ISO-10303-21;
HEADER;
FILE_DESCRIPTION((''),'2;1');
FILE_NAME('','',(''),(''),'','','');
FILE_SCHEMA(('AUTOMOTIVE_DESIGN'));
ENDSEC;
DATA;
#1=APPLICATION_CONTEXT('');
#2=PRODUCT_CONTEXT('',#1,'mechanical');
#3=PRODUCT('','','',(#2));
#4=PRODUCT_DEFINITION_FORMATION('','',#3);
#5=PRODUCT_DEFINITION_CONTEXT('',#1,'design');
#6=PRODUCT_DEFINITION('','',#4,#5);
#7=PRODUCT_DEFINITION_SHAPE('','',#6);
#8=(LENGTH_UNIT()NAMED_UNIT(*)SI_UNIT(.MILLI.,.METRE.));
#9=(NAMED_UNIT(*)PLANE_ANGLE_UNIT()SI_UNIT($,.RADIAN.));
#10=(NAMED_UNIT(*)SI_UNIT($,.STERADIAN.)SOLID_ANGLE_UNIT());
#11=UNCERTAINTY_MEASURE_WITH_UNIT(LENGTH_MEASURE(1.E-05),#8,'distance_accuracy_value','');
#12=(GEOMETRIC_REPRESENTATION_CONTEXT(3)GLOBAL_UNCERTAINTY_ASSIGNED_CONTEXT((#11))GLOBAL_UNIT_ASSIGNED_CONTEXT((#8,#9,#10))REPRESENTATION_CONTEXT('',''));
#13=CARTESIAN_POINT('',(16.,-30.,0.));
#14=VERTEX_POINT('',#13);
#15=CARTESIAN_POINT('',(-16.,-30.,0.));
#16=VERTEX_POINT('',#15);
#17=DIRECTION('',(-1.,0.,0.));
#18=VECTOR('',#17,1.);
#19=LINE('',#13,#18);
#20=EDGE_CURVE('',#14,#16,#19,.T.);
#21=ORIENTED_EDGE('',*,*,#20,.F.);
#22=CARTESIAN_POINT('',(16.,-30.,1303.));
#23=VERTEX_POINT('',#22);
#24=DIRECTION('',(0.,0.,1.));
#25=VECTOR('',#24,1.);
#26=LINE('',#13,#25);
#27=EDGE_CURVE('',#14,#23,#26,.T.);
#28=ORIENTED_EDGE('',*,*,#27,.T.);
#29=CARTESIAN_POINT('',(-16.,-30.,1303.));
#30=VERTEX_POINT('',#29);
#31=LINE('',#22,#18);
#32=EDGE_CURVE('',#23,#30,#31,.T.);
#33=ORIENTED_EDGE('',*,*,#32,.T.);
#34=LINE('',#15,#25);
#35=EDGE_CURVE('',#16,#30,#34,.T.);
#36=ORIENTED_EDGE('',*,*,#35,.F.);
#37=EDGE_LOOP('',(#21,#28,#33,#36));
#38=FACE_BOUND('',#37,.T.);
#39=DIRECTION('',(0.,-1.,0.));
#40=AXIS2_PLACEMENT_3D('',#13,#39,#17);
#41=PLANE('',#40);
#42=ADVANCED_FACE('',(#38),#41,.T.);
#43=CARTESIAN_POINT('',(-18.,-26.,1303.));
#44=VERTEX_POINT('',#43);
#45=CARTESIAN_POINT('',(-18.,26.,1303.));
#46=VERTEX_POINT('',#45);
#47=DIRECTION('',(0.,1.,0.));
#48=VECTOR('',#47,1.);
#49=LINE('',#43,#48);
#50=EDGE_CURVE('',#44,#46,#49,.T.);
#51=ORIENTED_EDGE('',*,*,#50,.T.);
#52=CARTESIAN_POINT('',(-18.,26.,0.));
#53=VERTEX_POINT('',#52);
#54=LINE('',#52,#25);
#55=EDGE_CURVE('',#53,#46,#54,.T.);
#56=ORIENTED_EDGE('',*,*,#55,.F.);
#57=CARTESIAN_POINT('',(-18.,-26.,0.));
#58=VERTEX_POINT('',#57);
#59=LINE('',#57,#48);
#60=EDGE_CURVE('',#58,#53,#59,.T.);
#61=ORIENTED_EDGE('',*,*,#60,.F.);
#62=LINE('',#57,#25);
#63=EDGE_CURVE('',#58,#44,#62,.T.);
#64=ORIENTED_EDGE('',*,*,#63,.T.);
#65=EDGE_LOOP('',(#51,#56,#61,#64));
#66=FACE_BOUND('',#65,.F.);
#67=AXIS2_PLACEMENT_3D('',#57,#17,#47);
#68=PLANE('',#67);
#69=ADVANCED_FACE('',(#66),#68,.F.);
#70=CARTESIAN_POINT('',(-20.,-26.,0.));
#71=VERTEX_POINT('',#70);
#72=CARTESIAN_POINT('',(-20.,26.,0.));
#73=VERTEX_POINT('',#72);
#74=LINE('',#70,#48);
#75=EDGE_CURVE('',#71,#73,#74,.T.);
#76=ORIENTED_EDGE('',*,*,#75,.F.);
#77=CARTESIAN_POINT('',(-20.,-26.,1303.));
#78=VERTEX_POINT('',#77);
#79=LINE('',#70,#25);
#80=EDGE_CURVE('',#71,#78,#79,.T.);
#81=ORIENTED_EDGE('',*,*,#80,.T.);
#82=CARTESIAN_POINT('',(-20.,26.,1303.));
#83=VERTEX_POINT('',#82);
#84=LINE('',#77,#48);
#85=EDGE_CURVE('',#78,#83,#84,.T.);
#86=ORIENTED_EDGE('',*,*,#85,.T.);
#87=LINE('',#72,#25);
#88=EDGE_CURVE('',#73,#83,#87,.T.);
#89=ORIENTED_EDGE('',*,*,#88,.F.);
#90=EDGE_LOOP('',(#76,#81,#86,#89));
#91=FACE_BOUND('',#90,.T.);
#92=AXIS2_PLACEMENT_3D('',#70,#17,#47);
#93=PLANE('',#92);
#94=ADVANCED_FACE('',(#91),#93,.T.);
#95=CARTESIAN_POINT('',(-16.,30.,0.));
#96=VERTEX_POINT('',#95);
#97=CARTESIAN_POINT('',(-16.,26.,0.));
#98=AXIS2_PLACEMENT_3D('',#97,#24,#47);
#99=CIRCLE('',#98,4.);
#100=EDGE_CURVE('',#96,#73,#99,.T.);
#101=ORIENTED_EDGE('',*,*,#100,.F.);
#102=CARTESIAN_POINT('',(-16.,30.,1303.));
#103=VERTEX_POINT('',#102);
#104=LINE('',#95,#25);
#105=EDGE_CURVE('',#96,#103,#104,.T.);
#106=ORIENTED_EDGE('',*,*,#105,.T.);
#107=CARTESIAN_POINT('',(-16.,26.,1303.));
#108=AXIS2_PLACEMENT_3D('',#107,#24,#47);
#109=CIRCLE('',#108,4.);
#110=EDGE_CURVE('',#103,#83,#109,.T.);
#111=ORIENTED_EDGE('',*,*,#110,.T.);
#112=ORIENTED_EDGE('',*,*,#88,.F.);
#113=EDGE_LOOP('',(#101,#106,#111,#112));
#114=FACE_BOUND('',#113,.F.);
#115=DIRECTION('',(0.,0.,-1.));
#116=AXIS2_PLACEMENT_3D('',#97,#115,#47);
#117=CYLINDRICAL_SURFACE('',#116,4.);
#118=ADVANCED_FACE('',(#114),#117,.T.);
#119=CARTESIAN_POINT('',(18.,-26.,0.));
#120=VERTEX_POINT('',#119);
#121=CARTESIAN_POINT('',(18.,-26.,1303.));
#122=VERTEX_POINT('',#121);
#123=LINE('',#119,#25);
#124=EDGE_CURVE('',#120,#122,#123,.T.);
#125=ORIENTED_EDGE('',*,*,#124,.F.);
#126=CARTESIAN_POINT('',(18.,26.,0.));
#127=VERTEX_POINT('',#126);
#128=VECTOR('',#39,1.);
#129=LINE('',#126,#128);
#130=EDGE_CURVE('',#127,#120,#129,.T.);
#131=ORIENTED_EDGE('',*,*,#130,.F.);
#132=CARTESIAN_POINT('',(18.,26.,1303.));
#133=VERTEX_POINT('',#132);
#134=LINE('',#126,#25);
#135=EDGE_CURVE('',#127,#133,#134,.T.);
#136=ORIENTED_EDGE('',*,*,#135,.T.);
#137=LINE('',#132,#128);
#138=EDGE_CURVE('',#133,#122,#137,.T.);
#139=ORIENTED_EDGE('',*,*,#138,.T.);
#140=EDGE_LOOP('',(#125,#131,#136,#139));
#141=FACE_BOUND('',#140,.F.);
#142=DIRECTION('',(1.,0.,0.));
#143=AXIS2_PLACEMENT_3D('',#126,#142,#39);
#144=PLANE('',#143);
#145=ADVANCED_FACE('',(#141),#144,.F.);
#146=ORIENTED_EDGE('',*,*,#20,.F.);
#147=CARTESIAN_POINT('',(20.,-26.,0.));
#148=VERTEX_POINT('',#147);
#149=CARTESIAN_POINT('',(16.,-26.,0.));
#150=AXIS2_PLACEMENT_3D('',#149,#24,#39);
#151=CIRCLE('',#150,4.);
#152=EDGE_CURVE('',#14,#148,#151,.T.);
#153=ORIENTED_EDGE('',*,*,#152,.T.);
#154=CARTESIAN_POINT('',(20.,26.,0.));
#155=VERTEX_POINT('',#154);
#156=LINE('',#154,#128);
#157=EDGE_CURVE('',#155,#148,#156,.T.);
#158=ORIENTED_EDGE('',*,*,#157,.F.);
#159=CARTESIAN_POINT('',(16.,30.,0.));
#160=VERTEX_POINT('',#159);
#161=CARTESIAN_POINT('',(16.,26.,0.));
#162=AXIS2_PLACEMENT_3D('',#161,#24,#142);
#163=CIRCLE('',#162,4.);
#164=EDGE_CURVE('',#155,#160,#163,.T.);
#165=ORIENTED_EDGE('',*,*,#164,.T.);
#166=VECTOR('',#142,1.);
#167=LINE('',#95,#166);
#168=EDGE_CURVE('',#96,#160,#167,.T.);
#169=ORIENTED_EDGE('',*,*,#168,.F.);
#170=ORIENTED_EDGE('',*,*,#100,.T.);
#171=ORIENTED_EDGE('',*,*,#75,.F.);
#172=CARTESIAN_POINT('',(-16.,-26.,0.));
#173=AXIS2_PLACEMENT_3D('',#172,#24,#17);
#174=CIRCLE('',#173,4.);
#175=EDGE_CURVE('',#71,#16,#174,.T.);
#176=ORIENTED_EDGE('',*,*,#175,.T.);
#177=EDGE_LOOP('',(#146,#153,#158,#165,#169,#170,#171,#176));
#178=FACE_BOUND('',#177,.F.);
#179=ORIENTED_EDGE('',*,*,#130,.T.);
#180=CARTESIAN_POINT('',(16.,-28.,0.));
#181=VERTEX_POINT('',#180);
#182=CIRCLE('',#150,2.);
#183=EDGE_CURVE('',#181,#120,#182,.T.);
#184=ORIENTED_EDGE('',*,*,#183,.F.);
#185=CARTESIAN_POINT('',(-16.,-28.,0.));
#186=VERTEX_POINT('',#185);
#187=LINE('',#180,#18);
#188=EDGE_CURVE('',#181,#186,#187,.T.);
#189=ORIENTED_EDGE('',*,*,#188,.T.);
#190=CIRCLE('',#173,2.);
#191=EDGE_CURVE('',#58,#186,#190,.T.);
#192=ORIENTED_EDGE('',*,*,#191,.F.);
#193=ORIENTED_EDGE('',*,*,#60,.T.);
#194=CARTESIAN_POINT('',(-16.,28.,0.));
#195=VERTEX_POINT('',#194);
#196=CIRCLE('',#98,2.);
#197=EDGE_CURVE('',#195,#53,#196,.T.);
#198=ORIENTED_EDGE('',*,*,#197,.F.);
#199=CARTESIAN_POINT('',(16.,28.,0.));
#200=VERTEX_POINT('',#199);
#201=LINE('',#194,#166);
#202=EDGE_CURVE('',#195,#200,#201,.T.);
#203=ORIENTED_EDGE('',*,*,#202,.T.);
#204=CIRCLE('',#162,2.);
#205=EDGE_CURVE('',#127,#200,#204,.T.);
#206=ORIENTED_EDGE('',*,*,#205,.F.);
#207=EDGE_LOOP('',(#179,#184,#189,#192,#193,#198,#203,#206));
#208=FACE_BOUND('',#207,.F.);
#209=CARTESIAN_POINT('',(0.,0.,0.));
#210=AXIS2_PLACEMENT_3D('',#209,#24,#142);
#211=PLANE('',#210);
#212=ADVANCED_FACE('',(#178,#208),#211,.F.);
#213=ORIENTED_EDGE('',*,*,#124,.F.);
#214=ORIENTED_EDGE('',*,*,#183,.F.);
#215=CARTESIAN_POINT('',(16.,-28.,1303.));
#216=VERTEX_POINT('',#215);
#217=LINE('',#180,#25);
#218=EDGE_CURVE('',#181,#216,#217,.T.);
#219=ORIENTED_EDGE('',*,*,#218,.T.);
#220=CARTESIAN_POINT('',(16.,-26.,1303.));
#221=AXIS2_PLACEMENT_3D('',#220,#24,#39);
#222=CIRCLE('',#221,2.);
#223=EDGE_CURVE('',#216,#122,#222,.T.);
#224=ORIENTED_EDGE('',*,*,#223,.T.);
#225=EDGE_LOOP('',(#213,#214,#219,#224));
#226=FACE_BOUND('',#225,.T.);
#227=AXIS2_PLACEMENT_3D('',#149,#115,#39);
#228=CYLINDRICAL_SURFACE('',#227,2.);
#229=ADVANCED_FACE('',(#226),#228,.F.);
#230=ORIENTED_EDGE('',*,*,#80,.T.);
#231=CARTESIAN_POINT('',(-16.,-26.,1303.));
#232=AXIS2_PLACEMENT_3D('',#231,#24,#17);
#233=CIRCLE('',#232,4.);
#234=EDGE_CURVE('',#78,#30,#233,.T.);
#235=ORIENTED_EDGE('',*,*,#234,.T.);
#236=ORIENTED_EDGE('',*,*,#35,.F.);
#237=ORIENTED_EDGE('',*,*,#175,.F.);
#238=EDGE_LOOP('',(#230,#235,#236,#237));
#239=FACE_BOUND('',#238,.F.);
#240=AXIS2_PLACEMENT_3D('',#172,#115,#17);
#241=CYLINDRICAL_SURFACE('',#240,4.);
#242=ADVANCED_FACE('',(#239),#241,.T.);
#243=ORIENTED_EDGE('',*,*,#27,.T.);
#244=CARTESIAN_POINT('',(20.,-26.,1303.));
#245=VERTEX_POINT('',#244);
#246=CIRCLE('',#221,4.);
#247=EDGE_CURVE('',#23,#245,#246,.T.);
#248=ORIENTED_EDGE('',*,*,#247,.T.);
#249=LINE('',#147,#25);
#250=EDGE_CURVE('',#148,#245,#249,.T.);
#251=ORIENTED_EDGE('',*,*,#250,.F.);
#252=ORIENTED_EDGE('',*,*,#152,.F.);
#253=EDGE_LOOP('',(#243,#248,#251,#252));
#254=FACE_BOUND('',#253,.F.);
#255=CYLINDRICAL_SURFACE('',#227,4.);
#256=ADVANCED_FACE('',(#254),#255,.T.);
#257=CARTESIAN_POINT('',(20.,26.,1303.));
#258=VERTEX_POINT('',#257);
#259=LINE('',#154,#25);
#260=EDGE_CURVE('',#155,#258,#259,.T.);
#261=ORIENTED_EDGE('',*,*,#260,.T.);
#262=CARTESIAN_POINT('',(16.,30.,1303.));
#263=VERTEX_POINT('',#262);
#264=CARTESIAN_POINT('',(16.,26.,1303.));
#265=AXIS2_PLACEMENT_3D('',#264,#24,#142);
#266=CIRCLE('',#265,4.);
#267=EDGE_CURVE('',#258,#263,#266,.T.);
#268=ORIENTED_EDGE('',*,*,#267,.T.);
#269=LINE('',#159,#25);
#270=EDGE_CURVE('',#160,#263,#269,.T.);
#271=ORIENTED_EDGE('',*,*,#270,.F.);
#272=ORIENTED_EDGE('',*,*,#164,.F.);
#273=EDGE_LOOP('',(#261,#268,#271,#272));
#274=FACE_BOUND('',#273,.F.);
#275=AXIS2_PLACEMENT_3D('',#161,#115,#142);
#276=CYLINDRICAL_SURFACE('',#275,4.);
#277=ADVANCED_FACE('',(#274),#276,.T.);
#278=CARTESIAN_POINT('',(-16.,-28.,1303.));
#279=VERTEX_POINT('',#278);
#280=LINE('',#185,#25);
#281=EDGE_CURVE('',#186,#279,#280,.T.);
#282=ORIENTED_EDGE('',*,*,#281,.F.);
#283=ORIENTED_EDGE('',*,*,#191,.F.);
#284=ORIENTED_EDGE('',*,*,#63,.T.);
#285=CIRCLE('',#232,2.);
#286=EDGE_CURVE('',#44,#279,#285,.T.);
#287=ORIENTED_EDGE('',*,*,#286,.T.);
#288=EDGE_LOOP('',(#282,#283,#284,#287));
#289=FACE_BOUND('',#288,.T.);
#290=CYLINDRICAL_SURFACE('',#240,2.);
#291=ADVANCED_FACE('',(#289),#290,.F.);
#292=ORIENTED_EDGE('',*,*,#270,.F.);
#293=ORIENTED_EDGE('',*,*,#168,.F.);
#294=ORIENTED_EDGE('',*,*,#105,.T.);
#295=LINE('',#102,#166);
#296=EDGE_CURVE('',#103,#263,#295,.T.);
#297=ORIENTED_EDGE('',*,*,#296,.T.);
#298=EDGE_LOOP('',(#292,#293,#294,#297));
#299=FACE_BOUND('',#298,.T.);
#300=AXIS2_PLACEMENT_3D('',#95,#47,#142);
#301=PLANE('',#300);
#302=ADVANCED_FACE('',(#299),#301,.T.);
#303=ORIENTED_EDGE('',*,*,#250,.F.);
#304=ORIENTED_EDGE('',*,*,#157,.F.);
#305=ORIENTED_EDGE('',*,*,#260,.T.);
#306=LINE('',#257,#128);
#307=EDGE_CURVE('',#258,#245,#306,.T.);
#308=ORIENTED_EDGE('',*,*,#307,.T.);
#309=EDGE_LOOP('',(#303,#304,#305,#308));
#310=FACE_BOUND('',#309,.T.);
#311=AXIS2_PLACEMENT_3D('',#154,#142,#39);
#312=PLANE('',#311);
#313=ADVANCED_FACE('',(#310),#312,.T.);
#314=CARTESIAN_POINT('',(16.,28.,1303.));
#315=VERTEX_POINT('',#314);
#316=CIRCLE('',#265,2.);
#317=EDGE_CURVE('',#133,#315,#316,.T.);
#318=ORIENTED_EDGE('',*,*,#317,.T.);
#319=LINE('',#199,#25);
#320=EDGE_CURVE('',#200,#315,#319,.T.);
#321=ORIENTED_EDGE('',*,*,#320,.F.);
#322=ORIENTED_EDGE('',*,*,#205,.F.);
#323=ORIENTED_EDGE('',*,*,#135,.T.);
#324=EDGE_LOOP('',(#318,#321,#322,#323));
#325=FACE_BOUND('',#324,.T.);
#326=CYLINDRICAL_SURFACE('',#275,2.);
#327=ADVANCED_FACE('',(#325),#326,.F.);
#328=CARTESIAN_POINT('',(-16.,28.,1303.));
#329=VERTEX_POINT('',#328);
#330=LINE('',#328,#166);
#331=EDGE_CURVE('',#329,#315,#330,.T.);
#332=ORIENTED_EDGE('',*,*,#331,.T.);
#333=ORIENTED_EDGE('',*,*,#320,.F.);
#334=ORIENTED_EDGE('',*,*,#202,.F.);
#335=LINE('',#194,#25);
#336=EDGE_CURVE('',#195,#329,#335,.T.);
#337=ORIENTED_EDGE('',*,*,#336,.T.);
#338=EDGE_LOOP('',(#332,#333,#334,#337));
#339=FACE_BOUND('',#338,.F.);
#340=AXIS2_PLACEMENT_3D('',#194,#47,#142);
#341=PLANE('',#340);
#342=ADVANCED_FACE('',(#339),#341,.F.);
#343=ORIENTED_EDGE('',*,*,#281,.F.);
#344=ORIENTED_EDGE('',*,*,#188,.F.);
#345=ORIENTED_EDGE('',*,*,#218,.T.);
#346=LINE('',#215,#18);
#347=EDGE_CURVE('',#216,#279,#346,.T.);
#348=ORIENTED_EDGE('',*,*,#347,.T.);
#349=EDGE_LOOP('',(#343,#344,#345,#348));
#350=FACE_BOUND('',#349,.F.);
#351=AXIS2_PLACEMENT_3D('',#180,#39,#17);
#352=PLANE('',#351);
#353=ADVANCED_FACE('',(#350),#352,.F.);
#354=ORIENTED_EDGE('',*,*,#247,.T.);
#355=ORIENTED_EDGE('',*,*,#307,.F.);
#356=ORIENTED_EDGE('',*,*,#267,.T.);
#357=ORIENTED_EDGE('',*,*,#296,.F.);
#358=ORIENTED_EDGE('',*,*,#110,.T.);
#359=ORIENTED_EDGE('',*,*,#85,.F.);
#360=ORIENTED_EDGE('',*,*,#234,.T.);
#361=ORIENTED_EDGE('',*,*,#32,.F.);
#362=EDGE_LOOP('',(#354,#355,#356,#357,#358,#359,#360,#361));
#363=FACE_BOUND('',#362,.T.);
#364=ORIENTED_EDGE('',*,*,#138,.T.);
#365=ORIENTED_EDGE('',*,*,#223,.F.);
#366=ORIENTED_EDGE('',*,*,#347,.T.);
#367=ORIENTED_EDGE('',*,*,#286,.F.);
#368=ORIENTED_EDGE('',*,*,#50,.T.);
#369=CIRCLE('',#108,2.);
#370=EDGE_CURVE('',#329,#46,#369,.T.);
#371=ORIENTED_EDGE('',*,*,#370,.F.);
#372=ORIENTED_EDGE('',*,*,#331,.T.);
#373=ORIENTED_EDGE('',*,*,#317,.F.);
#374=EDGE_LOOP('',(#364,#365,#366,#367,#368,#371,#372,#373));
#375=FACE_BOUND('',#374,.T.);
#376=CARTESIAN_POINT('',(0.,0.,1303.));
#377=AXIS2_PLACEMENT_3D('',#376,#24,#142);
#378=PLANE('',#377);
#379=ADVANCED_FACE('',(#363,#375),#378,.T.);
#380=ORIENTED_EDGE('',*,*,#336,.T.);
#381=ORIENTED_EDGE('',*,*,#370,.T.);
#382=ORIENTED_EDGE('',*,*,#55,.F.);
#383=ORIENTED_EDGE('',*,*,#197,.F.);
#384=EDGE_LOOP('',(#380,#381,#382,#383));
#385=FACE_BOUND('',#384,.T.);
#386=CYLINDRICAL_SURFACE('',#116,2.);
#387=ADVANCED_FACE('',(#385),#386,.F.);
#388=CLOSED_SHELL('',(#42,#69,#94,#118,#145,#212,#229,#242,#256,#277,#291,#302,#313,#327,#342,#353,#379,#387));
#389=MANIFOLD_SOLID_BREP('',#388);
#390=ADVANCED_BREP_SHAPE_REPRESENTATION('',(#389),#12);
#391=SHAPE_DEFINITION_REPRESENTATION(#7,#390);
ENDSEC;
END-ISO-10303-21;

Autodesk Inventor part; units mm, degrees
ref_plane "YZ Plane" through (0, 0, 0) normal (1, 0, 0) x (0, 1, 0)
ref_plane "Start Plane" through (0, 0, 0) normal (0, 0, 1) x (1, 0, 0)
ref_plane "End Plane" through (0, 0, 1303) normal (0, 0, 1) x (1, 0, 0)
sketch "Sketch" plane through (0, 0, 0) normal (0, 0, 1) x (1, 0, 0)
  line L0 (-20, -26) -> (-20, 26)
  line L1 (-16, 30) -> (16, 30)
  line L2 (20, 26) -> (20, -26)
  line L3 (16, -30) -> (-16, -30)
  arc A0 (-20, -26) -> (-16, -30) centre (-16, -26) ccw
  arc A1 (20, 26) -> (16, 30) centre (16, 26) ccw
  arc A2 (-16, 30) -> (-20, 26) centre (-16, 26) ccw
  arc A3 (16, -30) -> (20, -26) centre (16, -26) ccw
  arc A4 (-16, 28) -> (-18, 26) centre (-16, 26) ccw
  line L4 (-16, 28) -> (16, 28)
  arc A5 (18, 26) -> (16, 28) centre (16, 26) ccw
  line L5 (18, 26) -> (18, -26)
  arc A6 (16, -28) -> (18, -26) centre (16, -26) ccw
  line L6 (16, -28) -> (-16, -28)
  arc A7 (-18, -26) -> (-16, -28) centre (-16, -26) ccw
  line L7 (-18, -26) -> (-18, 26)
  line L8 (0, 43.1598) -> (0, -43.1598) construction
  line L9 (-29.1598, 0) -> (29.1598, 0) construction
  dimension "d7" = 4
  dimension "d9" = 40
  dimension "d11" = 60
  dimension "d12" = 2
  dimension "d15" = 20
  dimension "d16" = 30
extrude "Body" add sketch "Sketch" along normal up to surface (1303 mm away) from surface at 0
sketch "Sketch3" plane through (0, 0, 0) normal (0, 0, 1) x (1, 0, 0)
  line L0 (0, 0) -> (10, 0)
ref_plane "Work Plane3" through (0, 0, 0) normal (0, -1, 0) x (1, 0, 0)
sketch "Sketch4" plane through (0, 0, 0) normal (0, -1, 0) x (1, 0, 0)
  line L0 (-2, 0) -> (12, 0) projected
  line L1 (-2, 1303) -> (12, 1303) projected
  dimension "d18" = 1303
equation "\"d7\" = G_IR"
equation "\"d9\" = G_W"
equation "\"d11\" = G_H"
equation "\"d12\" = G_T"
equation "\"d15\" = 0.5 * d9"
equation "\"d16\" = 0.5 * d11"
equation "\"d3\" = G_L"
equation "\"G_W\" = 40"
equation "\"G_H\" = 60"
equation "\"G_T\" = 2"
equation "\"G_IR\" = 4"
equation "\"G_L\" = d18"
equation "\"G_OFFSET_START\" = 0"
equation "\"G_OFFSET_END\" = 0"
equation "\"d14\" = G_OFFSET_END + B_L"
equation "\"B_L\" = 1303"
properties part number "ISO 10799-2 - 60x40x2 - 1303" material "Steel, Mild"
